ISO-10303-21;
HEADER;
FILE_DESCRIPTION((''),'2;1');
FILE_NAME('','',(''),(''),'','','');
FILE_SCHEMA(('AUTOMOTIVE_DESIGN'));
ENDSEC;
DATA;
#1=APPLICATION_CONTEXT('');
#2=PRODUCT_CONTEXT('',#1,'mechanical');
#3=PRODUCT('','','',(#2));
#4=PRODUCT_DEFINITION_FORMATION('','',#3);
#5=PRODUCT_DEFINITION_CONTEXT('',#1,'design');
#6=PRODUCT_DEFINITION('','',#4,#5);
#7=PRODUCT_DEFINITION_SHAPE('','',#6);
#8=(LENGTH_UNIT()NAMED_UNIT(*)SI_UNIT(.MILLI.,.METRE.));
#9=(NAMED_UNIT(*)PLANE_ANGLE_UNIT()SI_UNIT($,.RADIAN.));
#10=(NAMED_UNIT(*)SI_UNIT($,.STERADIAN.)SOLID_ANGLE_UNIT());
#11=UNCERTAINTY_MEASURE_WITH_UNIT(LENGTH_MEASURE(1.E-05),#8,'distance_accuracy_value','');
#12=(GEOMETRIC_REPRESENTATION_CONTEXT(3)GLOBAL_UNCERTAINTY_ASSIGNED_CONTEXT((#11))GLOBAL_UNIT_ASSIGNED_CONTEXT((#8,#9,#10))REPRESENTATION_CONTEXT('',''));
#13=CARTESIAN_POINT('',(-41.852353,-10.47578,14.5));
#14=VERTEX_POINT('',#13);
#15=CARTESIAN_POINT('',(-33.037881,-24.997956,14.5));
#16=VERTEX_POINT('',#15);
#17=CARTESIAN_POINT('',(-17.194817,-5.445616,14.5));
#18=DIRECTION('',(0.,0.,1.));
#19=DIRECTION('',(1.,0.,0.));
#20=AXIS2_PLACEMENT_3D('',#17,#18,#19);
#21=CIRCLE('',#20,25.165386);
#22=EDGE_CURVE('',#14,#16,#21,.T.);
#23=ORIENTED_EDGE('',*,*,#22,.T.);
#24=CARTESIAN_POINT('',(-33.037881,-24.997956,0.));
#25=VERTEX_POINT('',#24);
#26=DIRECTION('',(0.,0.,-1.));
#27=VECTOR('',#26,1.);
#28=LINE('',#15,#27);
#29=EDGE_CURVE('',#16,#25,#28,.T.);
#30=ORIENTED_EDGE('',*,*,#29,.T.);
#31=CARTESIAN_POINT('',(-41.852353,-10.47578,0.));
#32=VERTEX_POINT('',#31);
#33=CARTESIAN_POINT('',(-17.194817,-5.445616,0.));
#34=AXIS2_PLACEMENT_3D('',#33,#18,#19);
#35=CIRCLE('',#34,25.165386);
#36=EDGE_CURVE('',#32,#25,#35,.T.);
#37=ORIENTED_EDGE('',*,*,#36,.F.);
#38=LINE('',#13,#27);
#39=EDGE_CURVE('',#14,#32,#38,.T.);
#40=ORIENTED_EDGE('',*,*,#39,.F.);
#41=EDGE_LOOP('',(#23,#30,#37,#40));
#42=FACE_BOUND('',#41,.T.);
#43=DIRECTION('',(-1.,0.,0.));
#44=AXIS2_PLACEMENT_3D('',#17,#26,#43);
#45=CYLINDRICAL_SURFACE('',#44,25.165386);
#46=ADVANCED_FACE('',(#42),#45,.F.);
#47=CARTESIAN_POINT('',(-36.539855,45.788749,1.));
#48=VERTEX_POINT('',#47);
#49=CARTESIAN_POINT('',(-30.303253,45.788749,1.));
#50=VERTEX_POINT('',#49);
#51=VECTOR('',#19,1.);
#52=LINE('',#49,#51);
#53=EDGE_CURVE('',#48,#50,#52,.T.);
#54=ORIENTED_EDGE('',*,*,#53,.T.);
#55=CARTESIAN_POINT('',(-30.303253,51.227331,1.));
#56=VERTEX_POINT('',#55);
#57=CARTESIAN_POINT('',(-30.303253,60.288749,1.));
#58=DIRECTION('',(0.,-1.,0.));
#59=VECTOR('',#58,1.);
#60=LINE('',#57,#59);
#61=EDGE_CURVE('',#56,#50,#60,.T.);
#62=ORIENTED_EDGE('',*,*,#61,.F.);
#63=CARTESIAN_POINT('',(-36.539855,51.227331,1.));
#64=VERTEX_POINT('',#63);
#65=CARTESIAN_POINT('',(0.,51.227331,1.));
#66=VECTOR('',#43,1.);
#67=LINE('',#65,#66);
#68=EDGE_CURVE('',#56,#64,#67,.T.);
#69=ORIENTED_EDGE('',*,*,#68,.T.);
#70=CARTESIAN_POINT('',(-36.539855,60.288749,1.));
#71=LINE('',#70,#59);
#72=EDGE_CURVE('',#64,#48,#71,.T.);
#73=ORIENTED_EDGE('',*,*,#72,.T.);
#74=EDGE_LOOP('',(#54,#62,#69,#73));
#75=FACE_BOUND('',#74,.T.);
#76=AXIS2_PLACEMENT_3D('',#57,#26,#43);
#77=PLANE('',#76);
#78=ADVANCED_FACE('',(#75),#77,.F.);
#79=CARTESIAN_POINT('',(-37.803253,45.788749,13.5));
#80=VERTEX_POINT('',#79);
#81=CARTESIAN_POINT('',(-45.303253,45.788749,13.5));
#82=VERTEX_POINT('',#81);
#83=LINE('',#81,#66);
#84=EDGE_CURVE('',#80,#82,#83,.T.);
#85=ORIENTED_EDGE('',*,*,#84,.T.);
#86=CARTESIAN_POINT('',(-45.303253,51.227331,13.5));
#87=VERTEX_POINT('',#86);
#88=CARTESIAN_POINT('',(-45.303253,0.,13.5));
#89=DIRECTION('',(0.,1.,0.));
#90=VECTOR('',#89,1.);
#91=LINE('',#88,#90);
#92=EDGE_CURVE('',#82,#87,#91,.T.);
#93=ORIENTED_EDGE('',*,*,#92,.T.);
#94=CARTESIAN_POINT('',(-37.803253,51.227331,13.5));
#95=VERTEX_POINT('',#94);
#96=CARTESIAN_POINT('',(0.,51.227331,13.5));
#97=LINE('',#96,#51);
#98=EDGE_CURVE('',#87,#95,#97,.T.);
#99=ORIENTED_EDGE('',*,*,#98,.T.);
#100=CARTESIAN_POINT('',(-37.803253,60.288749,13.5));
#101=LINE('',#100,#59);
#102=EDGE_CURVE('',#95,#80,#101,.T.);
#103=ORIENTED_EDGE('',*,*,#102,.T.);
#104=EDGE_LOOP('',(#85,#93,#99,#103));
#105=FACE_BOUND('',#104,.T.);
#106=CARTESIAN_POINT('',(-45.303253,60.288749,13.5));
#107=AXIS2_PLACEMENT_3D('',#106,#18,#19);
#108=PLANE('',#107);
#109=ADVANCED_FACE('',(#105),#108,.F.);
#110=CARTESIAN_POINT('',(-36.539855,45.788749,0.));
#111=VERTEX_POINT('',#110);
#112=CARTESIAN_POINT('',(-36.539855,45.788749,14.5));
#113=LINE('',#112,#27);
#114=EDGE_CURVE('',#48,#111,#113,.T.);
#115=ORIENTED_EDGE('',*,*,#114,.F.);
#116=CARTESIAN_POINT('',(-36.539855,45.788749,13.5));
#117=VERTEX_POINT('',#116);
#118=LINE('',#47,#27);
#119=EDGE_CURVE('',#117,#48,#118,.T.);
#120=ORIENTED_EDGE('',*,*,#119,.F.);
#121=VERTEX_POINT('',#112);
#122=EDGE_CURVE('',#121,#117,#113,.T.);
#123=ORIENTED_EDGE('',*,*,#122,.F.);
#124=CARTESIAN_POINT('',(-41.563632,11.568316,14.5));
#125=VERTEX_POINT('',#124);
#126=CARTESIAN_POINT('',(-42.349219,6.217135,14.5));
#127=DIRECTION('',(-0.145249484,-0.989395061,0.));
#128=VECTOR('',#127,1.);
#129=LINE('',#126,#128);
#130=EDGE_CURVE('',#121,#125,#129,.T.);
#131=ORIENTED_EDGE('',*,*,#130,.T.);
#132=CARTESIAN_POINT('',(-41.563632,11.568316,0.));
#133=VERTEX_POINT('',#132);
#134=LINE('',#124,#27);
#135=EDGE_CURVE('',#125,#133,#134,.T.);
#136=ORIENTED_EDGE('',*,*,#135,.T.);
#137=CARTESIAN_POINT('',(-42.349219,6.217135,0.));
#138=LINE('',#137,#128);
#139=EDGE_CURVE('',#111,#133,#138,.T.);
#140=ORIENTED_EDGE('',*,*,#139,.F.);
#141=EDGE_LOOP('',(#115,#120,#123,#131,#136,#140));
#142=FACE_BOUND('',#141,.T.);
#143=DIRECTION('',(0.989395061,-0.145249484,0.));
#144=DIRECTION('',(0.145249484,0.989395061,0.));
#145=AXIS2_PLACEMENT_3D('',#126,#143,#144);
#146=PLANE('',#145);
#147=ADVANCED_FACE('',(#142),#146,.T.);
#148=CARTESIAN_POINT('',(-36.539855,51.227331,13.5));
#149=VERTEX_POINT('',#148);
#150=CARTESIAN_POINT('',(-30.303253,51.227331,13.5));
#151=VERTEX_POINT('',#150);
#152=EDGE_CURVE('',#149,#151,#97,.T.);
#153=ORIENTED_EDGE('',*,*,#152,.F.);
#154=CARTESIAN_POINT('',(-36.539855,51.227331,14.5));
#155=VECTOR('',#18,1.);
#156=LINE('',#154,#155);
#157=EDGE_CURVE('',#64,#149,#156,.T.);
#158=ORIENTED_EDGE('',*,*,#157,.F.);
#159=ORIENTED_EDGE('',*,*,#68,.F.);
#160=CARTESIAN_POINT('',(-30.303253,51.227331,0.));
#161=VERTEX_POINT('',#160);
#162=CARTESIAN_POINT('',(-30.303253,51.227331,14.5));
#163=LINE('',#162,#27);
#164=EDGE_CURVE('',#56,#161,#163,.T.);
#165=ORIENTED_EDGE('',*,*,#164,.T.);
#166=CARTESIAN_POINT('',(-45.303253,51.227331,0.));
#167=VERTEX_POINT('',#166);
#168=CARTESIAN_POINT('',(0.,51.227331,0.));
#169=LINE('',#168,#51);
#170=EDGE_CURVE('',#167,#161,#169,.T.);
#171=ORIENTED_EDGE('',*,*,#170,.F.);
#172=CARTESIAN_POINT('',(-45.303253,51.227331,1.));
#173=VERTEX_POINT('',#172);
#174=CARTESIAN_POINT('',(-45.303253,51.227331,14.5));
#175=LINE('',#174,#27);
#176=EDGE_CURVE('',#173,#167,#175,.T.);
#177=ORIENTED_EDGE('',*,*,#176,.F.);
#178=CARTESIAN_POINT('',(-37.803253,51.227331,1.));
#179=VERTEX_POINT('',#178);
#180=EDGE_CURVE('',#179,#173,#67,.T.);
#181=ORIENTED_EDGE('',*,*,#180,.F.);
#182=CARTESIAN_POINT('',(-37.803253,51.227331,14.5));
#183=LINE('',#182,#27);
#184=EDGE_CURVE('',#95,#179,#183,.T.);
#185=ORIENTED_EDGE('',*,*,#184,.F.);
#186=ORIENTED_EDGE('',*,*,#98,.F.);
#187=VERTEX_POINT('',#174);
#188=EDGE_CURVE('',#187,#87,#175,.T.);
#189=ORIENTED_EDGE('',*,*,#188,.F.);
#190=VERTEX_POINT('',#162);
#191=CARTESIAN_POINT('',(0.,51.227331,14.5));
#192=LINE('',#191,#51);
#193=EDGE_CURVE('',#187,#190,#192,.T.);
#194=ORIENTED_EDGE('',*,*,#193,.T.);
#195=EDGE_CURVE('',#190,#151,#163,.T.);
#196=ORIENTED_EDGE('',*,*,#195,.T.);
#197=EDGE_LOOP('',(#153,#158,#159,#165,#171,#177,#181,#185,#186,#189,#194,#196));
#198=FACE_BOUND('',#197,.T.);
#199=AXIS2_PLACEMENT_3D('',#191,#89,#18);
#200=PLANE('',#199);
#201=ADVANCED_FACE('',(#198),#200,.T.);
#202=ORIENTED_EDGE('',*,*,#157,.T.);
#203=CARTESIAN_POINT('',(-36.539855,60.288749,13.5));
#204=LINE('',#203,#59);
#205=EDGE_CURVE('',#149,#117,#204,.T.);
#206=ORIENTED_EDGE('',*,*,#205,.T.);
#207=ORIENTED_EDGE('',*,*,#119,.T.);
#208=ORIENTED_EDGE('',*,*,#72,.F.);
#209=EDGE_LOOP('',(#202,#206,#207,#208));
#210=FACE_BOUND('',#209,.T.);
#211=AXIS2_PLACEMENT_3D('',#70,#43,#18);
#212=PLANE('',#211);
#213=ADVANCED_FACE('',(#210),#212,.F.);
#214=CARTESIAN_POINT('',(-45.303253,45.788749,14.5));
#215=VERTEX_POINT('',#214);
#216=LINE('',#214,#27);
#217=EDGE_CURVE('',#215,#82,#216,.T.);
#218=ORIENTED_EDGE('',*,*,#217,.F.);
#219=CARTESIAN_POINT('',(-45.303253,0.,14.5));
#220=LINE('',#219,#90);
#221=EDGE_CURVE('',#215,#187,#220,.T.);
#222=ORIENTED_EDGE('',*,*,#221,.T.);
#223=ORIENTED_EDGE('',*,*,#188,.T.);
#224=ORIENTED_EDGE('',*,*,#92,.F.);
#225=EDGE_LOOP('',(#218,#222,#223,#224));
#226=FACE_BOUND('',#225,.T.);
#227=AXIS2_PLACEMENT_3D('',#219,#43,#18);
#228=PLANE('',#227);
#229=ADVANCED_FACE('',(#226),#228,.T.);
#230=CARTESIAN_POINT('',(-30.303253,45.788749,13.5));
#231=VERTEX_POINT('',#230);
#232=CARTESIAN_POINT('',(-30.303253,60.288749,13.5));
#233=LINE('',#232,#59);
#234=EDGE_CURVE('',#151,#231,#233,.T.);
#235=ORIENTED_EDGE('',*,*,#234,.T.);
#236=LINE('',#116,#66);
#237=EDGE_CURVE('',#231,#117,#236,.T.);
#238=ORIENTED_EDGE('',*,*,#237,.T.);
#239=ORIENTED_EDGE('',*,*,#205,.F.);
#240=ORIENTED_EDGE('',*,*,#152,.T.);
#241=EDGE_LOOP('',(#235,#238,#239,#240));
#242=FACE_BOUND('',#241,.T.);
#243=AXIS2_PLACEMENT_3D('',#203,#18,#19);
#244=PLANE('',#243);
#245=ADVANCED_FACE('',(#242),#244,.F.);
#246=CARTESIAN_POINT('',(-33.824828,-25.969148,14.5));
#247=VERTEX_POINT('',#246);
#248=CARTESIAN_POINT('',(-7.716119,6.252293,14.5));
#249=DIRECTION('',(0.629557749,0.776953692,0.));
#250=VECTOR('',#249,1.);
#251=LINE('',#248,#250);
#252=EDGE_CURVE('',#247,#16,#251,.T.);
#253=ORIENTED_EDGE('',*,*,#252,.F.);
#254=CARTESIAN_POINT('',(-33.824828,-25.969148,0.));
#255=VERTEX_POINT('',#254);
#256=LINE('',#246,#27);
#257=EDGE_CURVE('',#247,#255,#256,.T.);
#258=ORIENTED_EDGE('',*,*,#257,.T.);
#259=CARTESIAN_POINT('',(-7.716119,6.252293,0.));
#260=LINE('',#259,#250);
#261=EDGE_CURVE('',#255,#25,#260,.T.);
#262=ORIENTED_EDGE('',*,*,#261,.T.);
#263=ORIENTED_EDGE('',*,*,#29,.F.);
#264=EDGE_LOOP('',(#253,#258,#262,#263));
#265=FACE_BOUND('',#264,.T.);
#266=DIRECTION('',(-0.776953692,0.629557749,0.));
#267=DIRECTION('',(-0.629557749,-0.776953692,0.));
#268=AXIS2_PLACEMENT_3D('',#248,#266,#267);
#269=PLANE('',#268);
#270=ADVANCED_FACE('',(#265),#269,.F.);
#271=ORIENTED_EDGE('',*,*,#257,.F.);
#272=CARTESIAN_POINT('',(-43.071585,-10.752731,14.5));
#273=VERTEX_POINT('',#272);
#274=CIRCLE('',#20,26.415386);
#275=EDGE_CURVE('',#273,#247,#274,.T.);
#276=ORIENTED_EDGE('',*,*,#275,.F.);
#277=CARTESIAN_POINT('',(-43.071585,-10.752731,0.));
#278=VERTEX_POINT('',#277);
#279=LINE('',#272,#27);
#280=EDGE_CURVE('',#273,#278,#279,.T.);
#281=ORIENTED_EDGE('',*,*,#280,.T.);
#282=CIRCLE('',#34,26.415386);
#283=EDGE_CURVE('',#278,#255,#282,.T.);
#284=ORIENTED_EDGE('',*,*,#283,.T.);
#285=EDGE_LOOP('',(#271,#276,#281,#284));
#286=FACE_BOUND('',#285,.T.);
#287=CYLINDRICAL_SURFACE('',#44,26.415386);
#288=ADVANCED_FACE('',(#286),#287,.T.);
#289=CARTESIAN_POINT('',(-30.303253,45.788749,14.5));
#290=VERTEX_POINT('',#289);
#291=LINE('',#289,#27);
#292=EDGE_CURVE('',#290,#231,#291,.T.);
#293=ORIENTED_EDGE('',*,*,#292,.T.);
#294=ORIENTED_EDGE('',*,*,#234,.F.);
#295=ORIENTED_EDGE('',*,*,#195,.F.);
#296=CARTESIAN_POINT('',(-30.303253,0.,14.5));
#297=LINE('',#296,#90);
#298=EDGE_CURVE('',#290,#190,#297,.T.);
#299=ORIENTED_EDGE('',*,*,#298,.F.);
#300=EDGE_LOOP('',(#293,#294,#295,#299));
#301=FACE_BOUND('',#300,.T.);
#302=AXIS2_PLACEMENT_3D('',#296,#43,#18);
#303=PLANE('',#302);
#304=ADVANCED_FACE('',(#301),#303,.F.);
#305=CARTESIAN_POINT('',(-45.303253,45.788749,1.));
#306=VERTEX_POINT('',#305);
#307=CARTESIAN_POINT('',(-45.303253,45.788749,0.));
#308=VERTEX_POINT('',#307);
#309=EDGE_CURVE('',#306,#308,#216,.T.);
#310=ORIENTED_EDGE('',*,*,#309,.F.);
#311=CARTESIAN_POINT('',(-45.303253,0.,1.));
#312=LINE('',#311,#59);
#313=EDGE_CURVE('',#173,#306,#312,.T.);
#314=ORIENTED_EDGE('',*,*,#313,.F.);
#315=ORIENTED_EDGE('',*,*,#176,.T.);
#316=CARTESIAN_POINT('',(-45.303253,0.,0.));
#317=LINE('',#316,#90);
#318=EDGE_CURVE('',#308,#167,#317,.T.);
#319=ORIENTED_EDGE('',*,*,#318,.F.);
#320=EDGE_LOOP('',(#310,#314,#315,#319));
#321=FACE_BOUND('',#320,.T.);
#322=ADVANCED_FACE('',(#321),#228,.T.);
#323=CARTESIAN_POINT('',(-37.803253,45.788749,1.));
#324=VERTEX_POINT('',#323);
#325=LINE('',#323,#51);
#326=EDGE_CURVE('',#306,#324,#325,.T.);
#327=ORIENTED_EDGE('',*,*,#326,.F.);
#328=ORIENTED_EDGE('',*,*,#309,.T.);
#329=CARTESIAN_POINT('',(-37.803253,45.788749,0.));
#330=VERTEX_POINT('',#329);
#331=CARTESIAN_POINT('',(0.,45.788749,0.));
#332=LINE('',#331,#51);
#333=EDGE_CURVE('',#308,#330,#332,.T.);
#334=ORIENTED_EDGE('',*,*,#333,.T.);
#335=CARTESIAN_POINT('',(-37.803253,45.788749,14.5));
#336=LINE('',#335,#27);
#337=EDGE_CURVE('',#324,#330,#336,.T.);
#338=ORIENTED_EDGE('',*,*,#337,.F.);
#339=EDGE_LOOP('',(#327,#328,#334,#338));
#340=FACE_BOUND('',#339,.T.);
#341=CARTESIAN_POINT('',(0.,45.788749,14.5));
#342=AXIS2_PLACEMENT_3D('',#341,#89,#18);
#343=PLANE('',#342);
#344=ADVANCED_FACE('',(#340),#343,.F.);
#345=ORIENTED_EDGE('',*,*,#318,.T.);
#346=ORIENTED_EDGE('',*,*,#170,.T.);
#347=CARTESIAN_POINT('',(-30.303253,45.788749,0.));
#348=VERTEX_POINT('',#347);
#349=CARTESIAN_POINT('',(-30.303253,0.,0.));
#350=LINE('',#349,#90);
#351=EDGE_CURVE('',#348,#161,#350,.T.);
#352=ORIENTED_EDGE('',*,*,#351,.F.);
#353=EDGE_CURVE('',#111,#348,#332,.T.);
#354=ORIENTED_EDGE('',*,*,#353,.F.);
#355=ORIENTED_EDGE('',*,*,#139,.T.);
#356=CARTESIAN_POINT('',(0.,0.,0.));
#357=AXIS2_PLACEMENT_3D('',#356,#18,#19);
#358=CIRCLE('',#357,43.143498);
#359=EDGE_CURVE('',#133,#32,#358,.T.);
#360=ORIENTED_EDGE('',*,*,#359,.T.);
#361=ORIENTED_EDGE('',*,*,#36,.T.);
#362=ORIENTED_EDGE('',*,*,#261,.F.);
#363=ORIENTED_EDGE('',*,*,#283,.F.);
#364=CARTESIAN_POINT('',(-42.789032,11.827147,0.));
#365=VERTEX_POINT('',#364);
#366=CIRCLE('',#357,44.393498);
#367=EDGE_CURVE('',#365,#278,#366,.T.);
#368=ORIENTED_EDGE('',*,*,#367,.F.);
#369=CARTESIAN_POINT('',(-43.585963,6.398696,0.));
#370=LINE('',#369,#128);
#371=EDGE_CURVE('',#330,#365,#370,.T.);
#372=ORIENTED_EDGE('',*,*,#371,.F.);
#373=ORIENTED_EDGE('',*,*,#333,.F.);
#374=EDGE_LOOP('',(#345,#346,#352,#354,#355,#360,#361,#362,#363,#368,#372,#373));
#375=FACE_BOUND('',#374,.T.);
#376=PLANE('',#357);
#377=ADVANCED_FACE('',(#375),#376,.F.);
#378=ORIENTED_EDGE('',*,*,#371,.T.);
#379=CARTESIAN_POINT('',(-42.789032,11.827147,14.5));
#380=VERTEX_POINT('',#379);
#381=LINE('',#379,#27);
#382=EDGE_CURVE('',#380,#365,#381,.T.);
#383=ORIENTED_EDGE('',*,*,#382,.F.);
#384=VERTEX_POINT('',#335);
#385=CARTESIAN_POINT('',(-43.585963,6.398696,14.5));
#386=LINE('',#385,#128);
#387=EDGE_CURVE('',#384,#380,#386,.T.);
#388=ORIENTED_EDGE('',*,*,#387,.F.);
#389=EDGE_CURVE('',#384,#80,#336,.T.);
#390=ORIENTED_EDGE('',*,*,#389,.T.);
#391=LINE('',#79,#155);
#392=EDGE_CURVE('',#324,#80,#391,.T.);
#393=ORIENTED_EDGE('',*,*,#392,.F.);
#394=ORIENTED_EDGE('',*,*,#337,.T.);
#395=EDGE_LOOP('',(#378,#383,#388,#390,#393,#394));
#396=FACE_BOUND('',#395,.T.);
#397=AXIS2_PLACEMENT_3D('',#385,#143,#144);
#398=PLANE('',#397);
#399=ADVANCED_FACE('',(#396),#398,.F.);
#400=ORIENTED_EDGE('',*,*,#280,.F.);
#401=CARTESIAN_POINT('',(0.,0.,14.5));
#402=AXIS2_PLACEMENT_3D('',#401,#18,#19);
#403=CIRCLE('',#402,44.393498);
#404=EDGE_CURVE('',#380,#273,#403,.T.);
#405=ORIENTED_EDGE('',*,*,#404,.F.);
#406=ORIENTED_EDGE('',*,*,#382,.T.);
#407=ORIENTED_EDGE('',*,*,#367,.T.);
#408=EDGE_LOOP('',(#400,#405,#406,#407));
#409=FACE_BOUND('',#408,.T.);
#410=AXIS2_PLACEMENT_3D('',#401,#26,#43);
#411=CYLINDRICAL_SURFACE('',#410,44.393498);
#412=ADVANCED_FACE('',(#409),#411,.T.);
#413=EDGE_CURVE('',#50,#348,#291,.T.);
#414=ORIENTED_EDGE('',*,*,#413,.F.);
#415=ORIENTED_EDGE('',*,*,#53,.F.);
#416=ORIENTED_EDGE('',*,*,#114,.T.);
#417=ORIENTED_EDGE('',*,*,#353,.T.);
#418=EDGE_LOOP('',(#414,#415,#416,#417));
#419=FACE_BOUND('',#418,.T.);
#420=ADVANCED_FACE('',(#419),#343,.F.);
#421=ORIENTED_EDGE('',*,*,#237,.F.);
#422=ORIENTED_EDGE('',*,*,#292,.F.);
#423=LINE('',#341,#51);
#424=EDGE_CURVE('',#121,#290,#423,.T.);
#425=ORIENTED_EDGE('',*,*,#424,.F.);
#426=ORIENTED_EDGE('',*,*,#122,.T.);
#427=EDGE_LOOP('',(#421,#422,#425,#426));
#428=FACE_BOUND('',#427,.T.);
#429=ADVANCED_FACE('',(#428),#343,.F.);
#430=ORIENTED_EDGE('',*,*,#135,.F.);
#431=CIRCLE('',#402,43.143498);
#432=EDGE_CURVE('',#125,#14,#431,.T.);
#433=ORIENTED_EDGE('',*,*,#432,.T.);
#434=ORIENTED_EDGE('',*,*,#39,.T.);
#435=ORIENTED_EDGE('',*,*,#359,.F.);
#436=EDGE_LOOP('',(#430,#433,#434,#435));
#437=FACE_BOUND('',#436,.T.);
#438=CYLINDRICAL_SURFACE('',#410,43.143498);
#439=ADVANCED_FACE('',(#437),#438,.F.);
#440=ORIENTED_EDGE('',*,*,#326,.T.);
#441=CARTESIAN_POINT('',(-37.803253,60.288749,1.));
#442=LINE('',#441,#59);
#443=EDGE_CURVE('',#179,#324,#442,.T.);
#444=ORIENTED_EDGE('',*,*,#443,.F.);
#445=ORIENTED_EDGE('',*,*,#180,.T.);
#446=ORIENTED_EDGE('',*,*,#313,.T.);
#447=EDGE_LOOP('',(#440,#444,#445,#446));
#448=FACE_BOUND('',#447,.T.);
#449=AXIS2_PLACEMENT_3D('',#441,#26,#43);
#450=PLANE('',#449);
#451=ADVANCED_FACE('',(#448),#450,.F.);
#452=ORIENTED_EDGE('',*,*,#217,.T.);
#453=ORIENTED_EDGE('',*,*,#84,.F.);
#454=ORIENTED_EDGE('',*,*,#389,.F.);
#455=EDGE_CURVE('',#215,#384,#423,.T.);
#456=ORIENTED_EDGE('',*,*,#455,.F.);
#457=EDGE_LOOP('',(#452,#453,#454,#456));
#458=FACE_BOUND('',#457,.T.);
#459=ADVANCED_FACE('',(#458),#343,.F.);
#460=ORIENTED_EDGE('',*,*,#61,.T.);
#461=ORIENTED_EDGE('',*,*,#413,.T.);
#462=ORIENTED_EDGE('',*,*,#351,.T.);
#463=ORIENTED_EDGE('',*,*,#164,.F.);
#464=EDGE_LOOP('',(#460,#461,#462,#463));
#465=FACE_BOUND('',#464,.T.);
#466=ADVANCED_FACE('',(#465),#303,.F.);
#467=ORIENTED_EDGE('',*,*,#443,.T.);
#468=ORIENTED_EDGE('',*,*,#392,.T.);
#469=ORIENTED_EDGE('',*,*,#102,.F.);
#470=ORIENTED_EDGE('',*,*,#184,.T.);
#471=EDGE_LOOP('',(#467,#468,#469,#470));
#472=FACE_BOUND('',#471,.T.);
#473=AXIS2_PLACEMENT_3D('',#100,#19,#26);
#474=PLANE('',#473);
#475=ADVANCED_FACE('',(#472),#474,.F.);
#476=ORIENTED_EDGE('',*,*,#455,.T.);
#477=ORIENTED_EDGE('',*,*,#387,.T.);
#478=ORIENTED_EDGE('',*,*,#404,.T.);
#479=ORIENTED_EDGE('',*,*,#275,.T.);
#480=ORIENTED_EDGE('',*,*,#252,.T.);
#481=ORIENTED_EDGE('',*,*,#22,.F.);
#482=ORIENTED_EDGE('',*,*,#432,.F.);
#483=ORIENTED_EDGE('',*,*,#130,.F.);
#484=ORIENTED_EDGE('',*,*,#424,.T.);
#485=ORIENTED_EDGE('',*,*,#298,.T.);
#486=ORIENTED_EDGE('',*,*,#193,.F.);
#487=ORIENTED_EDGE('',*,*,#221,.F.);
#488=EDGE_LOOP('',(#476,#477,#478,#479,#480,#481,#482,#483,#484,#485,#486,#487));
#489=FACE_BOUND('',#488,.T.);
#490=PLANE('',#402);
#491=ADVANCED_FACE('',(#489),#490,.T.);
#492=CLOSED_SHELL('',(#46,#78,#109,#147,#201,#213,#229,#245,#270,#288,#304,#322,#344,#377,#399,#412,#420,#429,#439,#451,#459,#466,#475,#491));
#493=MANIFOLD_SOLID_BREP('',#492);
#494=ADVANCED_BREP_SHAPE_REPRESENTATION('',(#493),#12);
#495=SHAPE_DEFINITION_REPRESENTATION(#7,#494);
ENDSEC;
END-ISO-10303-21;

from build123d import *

# Parameters (mm, degrees)
EXTRUDE_1_DEPTH     = 14.5
SKETCH_3_W          = 7.5
SKETCH_3_H          = 12.5
CUT_EXTRUDE_1_DEPTH = 14.5
SKETCH_4_W          = 6.236601739
SKETCH_4_H          = 12.5
CUT_EXTRUDE_2_DEPTH = 14.5


with BuildPart() as part:
    # 草图2 → 凸台-拉伸1 (new body)
    with BuildSketch(Plane.XY):
        Polygon((-37.803253111, 45.788749387), (-30.303253111, 45.788749387), (-30.303253111, 46.246753013), (-30.303253111, 51.227331274), (-45.303253111, 51.227331274), (-45.303253111, 45.788749387), align=None)
        with BuildLine():
            Line((-36.53985485, 45.788749387), (-37.803253111, 45.788749387))
            Line((-37.803253111, 45.788749387), (-42.78903224, 11.827146721))
            ThreePointArc((-42.78903224, 11.827146721), (-44.390022844, 0.555474177), (-43.071585345, -10.752730607))
            ThreePointArc((-43.071585345, -10.752730607), (-39.768948275, -19.163531384), (-33.824827731, -25.969147616))
            Line((-33.824827731, -25.969147616), (-33.037880544, -24.9979555))
            ThreePointArc((-33.037880544, -24.9979555), (-38.707558344, -18.503127277), (-41.852353206, -10.475779938))
            ThreePointArc((-41.852353206, -10.475779938), (-43.139798164, 0.565020843), (-41.563632025, 11.568315655))
            Line((-41.563632025, 11.568315655), (-36.53985485, 45.788749387))
        make_face()
    extrude(amount=EXTRUDE_1_DEPTH)

    # 草图3 → 切除-拉伸1 (cut)
    with BuildSketch(Plane.XZ.offset(-45.788749387)):
        with Locations((-41.553253111, 7.25)):
            Rectangle(SKETCH_3_W, SKETCH_3_H)
    extrude(amount=-CUT_EXTRUDE_1_DEPTH, mode=Mode.SUBTRACT)

    # 草图4 → 切除-拉伸2 (cut)
    with BuildSketch(Plane.XZ.offset(-45.788749387)):
        with Locations((-33.421553981, 7.25)):
            Rectangle(SKETCH_4_W, SKETCH_4_H)
    extrude(amount=-CUT_EXTRUDE_2_DEPTH, mode=Mode.SUBTRACT)


solid = part.part
